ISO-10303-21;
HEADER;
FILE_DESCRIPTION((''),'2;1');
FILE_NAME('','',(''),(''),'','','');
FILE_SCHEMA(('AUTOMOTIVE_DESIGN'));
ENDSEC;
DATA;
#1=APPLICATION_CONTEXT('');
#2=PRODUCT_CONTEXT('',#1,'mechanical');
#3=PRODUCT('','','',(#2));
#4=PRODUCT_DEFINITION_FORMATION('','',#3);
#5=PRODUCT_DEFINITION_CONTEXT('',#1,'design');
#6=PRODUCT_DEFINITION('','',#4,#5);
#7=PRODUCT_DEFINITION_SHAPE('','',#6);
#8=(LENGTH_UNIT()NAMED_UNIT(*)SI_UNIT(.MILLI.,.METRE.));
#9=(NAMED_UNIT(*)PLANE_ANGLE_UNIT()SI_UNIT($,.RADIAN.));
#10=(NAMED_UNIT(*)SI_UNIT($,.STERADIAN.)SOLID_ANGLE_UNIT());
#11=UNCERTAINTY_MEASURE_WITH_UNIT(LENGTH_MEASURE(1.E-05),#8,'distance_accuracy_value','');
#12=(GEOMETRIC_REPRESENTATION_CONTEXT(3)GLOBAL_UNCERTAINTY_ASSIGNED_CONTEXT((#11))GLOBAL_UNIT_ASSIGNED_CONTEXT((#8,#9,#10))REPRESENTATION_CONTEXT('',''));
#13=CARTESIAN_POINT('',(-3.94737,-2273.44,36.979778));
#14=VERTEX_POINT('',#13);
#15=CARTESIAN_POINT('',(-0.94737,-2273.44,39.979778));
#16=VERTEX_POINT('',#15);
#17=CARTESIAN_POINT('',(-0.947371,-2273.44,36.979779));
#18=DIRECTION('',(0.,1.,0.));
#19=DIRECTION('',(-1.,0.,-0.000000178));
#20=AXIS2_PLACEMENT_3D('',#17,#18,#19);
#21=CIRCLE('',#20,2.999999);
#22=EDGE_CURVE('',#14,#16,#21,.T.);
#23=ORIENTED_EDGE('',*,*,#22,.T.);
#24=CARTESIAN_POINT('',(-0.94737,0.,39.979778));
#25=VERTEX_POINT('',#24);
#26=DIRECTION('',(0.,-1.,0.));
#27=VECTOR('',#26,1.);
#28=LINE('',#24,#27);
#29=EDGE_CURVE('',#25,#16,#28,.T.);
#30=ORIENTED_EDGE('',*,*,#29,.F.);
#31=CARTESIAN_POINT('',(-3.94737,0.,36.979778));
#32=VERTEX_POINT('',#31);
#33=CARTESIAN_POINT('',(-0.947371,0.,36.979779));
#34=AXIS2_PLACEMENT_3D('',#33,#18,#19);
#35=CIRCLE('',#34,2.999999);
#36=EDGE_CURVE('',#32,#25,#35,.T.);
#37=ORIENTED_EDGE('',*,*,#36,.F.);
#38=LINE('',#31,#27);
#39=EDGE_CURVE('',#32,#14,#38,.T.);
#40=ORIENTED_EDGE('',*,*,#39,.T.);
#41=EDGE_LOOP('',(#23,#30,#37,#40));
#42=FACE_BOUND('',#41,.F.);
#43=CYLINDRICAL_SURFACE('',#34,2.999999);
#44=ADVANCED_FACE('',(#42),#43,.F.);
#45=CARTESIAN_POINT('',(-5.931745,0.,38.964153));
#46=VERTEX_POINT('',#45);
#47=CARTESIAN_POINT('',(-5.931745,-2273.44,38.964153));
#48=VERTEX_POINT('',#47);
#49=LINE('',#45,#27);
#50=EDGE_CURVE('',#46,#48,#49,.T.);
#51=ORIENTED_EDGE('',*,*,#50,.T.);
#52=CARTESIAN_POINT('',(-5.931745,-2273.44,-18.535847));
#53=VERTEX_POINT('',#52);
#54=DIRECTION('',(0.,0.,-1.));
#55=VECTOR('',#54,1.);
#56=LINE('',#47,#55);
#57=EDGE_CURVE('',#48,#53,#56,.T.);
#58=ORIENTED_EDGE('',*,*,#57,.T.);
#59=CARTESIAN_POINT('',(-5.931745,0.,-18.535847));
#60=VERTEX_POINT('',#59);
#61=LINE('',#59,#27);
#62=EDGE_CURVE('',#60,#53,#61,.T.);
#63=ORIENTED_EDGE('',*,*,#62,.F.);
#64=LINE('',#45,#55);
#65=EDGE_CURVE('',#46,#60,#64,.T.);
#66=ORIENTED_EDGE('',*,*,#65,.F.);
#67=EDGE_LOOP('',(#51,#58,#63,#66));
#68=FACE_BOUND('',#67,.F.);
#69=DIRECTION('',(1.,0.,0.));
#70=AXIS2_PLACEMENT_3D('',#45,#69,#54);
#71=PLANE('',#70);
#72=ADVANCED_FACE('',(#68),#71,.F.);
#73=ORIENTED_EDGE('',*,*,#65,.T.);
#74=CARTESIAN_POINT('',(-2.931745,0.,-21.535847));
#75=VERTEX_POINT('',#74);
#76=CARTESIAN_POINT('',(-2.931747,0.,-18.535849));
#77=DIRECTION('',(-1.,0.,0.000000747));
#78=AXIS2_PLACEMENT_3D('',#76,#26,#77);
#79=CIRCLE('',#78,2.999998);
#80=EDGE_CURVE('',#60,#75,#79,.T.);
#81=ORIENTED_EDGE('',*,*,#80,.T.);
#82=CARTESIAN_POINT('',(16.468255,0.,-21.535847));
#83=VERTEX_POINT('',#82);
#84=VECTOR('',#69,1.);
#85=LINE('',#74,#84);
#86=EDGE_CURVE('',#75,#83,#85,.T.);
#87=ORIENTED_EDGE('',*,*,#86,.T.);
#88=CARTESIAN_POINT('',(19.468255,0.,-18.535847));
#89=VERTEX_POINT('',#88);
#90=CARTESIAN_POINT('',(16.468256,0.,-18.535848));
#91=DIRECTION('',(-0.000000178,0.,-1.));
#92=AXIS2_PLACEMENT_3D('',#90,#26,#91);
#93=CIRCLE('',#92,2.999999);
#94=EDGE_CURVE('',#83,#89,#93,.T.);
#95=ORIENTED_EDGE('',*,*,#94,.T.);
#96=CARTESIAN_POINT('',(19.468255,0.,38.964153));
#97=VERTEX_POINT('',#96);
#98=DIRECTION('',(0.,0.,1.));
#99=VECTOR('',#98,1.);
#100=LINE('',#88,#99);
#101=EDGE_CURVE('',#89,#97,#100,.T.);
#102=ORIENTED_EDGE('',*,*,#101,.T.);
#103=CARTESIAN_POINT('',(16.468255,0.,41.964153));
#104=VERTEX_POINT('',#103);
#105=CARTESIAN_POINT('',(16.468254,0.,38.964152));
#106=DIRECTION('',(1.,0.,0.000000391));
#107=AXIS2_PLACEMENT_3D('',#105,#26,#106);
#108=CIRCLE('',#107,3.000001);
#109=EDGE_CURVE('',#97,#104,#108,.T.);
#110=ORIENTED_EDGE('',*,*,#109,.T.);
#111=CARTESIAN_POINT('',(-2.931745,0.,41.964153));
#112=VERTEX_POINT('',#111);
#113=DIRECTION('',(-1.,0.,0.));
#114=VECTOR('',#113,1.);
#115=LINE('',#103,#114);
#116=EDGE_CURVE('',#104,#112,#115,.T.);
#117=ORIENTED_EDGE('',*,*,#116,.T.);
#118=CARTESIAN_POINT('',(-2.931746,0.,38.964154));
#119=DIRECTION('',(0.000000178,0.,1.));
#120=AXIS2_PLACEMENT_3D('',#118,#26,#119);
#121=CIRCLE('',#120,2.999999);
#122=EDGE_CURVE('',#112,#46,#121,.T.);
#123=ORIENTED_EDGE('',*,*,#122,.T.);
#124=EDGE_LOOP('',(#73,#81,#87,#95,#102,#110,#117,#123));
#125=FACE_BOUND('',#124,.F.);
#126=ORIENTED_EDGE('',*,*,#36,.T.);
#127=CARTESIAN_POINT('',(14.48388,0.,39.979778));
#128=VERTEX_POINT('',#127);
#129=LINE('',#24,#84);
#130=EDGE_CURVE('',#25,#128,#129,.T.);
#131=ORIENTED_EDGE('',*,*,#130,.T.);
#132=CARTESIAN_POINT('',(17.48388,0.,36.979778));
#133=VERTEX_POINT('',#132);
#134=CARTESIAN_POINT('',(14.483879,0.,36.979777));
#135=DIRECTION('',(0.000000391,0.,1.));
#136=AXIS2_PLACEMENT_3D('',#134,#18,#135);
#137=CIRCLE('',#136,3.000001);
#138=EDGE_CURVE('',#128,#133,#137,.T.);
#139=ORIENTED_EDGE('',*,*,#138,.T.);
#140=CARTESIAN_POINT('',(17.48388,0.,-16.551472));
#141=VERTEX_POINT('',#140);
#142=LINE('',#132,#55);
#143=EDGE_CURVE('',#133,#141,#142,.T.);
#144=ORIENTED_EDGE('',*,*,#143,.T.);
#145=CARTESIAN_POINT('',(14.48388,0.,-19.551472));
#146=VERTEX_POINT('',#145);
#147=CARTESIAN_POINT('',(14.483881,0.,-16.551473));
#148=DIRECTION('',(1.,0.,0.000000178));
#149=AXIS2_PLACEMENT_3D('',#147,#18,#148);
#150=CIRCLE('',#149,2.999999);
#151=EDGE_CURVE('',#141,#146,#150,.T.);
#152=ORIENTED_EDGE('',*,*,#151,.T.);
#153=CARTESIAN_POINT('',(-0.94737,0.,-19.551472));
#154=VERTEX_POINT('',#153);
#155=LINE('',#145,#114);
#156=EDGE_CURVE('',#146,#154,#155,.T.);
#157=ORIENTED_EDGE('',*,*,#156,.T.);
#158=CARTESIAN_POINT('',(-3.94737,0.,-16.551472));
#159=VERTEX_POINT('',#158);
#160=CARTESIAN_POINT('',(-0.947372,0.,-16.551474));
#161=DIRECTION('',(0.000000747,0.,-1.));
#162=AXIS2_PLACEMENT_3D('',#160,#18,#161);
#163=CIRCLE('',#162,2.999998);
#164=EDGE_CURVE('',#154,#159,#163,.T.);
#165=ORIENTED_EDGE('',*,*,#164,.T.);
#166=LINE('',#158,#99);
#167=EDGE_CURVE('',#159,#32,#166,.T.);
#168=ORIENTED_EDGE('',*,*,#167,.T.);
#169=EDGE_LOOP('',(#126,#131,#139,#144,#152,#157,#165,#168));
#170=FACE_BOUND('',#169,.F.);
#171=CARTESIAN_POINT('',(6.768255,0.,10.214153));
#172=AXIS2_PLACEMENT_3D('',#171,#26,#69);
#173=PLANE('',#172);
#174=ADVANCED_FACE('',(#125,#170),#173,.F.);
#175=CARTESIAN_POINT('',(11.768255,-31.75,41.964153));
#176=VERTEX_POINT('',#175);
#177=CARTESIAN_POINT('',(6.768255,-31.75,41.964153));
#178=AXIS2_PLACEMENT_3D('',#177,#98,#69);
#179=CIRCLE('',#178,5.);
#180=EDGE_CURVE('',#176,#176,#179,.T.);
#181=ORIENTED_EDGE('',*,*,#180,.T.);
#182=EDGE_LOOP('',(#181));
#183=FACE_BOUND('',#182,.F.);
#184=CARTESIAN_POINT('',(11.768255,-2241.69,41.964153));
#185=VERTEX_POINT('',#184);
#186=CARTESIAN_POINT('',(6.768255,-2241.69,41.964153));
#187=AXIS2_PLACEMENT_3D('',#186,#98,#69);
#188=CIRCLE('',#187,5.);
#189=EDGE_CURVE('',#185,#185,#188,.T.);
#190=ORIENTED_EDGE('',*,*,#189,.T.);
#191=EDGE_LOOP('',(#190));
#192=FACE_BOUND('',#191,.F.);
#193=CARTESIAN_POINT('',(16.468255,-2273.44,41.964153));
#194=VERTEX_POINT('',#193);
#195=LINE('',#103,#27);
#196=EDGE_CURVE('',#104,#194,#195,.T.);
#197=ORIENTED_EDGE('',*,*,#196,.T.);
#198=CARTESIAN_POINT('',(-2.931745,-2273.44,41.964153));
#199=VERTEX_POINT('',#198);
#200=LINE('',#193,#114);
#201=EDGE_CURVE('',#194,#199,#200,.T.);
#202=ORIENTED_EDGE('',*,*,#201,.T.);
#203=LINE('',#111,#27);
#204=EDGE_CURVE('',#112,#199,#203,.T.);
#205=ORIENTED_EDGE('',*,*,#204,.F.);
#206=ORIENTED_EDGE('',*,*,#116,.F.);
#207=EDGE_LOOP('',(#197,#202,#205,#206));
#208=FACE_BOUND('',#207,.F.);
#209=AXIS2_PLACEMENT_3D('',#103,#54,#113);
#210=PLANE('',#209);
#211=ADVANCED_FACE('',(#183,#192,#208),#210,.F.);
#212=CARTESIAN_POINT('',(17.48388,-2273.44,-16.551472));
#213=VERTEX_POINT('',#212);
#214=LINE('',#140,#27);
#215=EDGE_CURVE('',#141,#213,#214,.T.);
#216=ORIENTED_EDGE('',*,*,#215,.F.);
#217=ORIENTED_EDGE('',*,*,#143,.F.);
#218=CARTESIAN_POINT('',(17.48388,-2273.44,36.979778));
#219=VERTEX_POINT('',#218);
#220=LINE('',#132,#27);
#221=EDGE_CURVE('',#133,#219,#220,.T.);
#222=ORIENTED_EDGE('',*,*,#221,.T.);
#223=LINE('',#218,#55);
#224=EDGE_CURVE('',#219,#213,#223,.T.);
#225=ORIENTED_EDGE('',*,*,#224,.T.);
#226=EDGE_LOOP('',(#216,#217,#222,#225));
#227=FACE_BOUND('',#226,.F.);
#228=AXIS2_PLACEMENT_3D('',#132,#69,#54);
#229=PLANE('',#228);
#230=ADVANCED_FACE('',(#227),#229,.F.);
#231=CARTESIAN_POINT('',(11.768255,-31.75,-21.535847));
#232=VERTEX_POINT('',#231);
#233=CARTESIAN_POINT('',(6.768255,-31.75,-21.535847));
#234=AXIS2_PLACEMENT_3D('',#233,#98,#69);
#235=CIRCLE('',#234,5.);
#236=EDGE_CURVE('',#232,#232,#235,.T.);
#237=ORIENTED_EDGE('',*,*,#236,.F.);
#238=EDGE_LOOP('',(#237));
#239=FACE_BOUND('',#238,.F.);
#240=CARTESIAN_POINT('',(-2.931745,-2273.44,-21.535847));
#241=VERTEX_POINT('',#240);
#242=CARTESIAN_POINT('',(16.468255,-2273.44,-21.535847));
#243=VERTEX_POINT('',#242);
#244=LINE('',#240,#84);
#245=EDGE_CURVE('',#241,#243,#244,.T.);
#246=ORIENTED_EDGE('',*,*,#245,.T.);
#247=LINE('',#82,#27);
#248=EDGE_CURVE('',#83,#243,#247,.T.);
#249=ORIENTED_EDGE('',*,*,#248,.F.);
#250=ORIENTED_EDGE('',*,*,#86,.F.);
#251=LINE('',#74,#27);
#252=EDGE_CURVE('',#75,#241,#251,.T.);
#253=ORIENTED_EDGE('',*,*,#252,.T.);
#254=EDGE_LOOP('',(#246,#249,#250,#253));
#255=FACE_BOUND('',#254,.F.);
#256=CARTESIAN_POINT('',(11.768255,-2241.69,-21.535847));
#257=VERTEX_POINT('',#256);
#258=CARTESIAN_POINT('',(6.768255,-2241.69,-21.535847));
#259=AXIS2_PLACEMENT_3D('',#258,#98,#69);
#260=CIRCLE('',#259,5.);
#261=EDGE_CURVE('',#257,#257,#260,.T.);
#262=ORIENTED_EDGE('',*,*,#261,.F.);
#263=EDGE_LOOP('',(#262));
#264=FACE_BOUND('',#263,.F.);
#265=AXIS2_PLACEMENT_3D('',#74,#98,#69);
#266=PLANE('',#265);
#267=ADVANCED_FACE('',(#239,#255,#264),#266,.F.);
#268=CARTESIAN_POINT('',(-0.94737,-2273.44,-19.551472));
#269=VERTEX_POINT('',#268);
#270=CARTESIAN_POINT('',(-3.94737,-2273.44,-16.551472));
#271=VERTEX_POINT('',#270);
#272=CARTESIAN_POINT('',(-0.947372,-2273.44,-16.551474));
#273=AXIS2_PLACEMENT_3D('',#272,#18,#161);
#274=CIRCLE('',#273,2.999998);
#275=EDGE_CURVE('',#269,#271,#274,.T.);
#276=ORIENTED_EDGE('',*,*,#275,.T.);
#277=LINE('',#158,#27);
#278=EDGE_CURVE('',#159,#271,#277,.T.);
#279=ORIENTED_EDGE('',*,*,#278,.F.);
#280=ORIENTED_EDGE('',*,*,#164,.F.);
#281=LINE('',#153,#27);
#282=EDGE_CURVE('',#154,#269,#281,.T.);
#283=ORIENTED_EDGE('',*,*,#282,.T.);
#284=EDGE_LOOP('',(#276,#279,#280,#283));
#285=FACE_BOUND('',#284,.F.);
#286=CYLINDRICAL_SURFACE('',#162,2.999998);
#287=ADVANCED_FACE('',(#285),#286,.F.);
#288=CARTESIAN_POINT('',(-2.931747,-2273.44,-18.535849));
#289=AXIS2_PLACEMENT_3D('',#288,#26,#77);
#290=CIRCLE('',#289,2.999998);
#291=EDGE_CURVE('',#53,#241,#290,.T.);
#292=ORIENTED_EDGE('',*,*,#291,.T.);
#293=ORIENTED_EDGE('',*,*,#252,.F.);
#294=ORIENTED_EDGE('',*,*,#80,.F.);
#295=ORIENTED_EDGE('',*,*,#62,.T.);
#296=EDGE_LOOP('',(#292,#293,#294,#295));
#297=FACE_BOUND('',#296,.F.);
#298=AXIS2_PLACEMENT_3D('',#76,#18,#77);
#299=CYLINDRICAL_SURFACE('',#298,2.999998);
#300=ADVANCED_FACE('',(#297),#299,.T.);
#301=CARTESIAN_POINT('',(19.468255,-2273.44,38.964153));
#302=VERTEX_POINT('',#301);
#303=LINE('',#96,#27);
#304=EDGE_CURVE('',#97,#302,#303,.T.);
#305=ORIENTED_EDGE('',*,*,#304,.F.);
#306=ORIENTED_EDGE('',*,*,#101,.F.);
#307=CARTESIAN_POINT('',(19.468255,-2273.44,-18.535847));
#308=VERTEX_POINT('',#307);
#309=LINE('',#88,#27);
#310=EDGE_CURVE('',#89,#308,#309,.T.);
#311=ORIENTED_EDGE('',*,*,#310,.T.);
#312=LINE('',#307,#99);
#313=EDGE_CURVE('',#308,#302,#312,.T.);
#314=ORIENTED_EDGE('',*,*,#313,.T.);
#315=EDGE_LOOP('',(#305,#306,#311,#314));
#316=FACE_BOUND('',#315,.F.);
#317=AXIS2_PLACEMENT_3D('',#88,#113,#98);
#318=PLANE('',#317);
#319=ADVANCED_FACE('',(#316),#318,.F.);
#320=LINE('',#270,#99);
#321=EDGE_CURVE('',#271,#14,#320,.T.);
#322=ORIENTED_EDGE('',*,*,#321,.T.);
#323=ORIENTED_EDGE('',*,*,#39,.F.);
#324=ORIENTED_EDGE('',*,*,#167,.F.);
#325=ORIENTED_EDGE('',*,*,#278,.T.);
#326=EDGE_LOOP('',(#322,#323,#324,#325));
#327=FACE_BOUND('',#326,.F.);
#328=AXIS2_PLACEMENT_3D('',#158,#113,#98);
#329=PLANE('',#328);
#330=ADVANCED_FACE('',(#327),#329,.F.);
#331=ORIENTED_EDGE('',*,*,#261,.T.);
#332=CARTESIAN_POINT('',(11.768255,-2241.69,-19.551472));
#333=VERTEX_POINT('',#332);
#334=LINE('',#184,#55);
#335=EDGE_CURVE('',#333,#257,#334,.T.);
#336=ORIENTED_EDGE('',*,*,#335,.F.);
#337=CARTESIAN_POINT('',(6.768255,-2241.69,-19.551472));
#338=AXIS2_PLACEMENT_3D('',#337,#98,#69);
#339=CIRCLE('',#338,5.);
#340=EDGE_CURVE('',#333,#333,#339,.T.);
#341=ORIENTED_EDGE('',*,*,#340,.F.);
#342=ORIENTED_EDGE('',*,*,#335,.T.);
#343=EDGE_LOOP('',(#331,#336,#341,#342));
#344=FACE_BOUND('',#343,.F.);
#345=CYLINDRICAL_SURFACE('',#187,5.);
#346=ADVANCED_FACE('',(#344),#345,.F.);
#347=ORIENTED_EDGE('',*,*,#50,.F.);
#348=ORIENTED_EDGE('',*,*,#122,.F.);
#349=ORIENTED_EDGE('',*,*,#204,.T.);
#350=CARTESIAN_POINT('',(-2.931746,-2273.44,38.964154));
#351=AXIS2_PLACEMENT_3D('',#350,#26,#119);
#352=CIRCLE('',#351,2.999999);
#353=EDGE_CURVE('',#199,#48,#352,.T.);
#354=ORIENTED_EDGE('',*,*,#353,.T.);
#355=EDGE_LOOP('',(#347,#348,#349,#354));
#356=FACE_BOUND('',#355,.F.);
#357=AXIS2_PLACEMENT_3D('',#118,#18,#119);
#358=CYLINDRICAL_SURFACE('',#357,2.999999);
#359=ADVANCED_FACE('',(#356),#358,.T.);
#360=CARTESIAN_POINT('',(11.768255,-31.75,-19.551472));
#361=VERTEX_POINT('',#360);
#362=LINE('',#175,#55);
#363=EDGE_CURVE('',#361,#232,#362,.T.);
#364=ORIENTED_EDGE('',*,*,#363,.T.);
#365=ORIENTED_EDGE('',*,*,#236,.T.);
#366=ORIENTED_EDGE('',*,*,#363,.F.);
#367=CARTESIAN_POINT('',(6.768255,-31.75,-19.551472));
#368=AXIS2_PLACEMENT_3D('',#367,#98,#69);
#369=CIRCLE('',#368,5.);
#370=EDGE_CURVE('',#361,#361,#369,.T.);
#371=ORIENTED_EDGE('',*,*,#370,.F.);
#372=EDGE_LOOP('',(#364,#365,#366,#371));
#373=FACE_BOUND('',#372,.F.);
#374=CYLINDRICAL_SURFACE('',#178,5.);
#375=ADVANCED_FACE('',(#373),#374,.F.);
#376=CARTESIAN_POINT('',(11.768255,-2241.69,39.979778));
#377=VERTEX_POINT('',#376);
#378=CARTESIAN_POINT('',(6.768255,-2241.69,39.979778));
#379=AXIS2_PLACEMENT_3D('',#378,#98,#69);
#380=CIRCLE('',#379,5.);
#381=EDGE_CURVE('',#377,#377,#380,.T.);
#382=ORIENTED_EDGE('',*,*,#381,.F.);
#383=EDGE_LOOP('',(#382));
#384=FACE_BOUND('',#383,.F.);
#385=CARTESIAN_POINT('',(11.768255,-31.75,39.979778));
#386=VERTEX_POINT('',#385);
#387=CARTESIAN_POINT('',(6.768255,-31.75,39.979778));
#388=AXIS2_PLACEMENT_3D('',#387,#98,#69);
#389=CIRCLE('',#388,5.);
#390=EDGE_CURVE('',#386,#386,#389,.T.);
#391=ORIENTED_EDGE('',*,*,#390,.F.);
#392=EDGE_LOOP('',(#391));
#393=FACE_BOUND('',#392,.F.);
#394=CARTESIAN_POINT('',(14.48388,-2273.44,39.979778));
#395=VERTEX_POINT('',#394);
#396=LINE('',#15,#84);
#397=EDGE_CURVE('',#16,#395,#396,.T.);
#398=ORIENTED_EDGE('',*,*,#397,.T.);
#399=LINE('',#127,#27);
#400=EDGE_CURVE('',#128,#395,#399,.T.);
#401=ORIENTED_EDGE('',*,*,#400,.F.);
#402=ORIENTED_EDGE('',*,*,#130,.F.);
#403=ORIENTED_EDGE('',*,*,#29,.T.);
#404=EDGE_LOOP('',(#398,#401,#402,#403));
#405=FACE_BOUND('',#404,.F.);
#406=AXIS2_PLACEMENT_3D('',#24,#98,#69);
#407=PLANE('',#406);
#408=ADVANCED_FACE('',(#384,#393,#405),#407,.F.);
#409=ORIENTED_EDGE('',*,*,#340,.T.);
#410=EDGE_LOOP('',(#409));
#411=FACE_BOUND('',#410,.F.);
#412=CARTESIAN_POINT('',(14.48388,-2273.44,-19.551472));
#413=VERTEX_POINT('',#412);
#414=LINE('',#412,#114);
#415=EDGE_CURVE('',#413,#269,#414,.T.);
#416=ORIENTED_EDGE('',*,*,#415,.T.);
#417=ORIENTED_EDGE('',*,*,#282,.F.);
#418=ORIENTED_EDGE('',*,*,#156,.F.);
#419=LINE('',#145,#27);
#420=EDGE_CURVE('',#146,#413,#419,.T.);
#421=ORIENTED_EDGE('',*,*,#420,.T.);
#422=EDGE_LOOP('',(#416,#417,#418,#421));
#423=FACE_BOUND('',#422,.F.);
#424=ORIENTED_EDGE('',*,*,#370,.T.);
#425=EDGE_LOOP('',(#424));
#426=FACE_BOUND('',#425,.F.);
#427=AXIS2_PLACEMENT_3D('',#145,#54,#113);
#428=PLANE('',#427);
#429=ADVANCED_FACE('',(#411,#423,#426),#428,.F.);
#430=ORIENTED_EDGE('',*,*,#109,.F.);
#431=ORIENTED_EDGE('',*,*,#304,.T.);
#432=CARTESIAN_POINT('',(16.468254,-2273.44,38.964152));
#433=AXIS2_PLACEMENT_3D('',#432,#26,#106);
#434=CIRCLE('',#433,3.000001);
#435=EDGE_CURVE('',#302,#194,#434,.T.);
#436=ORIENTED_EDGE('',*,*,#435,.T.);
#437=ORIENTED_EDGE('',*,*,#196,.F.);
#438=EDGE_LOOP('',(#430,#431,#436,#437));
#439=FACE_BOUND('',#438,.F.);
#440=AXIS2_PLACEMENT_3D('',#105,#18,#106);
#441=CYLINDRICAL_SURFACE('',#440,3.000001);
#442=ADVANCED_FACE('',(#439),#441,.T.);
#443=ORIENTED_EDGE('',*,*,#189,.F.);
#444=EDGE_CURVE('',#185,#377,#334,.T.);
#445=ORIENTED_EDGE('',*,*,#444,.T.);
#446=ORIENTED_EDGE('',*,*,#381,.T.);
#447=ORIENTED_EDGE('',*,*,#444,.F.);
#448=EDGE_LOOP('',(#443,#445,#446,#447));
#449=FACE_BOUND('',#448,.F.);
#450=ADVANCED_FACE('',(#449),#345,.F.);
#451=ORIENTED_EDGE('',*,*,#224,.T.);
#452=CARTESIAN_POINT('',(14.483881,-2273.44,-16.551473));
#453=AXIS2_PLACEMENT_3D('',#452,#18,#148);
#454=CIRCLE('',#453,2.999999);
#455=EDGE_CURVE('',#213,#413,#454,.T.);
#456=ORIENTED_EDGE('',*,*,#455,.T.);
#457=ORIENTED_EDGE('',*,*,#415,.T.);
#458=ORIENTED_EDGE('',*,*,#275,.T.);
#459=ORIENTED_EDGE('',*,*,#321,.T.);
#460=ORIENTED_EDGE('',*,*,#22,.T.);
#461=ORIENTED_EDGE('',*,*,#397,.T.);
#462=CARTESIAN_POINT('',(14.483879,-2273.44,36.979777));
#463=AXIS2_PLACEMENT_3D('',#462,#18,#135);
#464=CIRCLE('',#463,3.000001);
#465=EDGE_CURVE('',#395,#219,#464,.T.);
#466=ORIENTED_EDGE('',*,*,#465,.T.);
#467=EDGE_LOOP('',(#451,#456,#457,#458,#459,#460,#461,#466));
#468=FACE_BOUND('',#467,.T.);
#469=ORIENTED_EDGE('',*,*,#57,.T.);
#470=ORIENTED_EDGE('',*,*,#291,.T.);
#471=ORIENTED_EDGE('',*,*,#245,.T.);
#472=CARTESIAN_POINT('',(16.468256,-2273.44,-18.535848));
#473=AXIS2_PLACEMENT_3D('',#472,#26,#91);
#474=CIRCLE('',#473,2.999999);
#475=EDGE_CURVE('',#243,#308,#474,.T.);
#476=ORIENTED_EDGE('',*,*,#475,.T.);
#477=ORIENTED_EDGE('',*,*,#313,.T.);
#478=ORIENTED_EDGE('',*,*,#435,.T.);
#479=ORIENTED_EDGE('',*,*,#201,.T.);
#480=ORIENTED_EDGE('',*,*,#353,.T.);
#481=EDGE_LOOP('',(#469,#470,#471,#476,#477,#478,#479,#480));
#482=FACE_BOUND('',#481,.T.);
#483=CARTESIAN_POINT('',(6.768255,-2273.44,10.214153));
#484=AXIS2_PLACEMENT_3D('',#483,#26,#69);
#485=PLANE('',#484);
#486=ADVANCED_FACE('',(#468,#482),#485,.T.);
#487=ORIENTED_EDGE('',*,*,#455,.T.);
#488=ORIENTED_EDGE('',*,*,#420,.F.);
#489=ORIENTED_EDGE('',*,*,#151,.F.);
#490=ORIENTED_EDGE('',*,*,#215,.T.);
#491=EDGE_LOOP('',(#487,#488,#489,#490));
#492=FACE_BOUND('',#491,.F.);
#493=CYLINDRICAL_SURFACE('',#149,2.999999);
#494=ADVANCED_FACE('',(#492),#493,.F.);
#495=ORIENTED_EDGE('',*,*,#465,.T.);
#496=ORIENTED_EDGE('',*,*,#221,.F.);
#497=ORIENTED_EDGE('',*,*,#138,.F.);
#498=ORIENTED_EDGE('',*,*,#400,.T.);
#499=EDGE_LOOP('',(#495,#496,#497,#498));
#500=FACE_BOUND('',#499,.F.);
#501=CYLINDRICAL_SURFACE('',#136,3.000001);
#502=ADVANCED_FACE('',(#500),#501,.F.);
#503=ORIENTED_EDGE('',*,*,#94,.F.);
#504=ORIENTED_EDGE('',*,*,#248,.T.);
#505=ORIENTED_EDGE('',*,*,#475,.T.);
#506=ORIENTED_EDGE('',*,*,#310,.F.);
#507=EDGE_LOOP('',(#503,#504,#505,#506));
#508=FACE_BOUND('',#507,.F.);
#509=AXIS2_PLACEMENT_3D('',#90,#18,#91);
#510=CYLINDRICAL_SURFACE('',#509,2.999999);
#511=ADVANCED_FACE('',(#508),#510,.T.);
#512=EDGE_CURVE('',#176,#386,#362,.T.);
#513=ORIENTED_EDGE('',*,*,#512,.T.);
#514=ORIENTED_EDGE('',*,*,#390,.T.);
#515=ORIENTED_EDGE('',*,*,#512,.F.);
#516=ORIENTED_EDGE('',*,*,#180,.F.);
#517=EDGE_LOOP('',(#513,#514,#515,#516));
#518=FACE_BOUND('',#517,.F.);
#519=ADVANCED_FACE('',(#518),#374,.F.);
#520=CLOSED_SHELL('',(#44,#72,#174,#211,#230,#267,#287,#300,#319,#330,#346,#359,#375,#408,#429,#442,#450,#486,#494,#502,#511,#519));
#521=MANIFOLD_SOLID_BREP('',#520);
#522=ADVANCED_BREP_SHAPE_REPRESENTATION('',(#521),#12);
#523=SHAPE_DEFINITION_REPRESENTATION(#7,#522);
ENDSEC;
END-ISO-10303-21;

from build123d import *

# Parameters (mm, degrees)
F1_DEPTH = 2273.44
F2_R     = 5
F3_DEPTH = 63.501


with BuildPart() as f1:
    # F0 (on Front) → F1 (new body)
    with BuildSketch(Plane.XZ):
        with BuildLine():
            Line((16.468255, 41.964153), (-2.931745, 41.964153))
            ThreePointArc((-2.931745, 41.964153), (-5.053066, 41.085473), (-5.931745, 38.964153))
            Line((-5.931745, 38.964153), (-5.931745, -18.535847))
            ThreePointArc((-5.931745, -18.535847), (-5.053066, -20.657168), (-2.931745, -21.535847))
            Line((-2.931745, -21.535847), (16.468255, -21.535847))
            ThreePointArc((16.468255, -21.535847), (18.589575, -20.657168), (19.468255, -18.535847))
            Line((19.468255, -18.535847), (19.468255, 38.964153))
            ThreePointArc((19.468255, 38.964153), (18.589575, 41.085473), (16.468255, 41.964153))
        make_face()
        with BuildLine():
            ThreePointArc((-3.94737, 36.979778), (-3.068691, 39.101098), (-0.94737, 39.979778))
            Line((-0.94737, 39.979778), (14.48388, 39.979778))
            ThreePointArc((14.48388, 39.979778), (16.6052, 39.101098), (17.48388, 36.979778))
            Line((17.48388, 36.979778), (17.48388, -16.551472))
            ThreePointArc((17.48388, -16.551472), (16.6052, -18.672793), (14.48388, -19.551472))
            Line((14.48388, -19.551472), (-0.94737, -19.551472))
            ThreePointArc((-0.94737, -19.551472), (-3.068691, -18.672793), (-3.94737, -16.551472))
            Line((-3.94737, -16.551472), (-3.94737, 36.979778))
        make_face(mode=Mode.SUBTRACT)
    extrude(amount=F1_DEPTH)

    # F2 (on face) → F3 (cut, through all)
    with BuildSketch(Plane.XY.offset(41.964153)):
        with Locations((6.768255, -2241.69)):
            Circle(F2_R)
        with Locations((6.768255, -31.75)):
            Circle(F2_R)
    extrude(amount=-F3_DEPTH, mode=Mode.SUBTRACT)


solid = f1.part
